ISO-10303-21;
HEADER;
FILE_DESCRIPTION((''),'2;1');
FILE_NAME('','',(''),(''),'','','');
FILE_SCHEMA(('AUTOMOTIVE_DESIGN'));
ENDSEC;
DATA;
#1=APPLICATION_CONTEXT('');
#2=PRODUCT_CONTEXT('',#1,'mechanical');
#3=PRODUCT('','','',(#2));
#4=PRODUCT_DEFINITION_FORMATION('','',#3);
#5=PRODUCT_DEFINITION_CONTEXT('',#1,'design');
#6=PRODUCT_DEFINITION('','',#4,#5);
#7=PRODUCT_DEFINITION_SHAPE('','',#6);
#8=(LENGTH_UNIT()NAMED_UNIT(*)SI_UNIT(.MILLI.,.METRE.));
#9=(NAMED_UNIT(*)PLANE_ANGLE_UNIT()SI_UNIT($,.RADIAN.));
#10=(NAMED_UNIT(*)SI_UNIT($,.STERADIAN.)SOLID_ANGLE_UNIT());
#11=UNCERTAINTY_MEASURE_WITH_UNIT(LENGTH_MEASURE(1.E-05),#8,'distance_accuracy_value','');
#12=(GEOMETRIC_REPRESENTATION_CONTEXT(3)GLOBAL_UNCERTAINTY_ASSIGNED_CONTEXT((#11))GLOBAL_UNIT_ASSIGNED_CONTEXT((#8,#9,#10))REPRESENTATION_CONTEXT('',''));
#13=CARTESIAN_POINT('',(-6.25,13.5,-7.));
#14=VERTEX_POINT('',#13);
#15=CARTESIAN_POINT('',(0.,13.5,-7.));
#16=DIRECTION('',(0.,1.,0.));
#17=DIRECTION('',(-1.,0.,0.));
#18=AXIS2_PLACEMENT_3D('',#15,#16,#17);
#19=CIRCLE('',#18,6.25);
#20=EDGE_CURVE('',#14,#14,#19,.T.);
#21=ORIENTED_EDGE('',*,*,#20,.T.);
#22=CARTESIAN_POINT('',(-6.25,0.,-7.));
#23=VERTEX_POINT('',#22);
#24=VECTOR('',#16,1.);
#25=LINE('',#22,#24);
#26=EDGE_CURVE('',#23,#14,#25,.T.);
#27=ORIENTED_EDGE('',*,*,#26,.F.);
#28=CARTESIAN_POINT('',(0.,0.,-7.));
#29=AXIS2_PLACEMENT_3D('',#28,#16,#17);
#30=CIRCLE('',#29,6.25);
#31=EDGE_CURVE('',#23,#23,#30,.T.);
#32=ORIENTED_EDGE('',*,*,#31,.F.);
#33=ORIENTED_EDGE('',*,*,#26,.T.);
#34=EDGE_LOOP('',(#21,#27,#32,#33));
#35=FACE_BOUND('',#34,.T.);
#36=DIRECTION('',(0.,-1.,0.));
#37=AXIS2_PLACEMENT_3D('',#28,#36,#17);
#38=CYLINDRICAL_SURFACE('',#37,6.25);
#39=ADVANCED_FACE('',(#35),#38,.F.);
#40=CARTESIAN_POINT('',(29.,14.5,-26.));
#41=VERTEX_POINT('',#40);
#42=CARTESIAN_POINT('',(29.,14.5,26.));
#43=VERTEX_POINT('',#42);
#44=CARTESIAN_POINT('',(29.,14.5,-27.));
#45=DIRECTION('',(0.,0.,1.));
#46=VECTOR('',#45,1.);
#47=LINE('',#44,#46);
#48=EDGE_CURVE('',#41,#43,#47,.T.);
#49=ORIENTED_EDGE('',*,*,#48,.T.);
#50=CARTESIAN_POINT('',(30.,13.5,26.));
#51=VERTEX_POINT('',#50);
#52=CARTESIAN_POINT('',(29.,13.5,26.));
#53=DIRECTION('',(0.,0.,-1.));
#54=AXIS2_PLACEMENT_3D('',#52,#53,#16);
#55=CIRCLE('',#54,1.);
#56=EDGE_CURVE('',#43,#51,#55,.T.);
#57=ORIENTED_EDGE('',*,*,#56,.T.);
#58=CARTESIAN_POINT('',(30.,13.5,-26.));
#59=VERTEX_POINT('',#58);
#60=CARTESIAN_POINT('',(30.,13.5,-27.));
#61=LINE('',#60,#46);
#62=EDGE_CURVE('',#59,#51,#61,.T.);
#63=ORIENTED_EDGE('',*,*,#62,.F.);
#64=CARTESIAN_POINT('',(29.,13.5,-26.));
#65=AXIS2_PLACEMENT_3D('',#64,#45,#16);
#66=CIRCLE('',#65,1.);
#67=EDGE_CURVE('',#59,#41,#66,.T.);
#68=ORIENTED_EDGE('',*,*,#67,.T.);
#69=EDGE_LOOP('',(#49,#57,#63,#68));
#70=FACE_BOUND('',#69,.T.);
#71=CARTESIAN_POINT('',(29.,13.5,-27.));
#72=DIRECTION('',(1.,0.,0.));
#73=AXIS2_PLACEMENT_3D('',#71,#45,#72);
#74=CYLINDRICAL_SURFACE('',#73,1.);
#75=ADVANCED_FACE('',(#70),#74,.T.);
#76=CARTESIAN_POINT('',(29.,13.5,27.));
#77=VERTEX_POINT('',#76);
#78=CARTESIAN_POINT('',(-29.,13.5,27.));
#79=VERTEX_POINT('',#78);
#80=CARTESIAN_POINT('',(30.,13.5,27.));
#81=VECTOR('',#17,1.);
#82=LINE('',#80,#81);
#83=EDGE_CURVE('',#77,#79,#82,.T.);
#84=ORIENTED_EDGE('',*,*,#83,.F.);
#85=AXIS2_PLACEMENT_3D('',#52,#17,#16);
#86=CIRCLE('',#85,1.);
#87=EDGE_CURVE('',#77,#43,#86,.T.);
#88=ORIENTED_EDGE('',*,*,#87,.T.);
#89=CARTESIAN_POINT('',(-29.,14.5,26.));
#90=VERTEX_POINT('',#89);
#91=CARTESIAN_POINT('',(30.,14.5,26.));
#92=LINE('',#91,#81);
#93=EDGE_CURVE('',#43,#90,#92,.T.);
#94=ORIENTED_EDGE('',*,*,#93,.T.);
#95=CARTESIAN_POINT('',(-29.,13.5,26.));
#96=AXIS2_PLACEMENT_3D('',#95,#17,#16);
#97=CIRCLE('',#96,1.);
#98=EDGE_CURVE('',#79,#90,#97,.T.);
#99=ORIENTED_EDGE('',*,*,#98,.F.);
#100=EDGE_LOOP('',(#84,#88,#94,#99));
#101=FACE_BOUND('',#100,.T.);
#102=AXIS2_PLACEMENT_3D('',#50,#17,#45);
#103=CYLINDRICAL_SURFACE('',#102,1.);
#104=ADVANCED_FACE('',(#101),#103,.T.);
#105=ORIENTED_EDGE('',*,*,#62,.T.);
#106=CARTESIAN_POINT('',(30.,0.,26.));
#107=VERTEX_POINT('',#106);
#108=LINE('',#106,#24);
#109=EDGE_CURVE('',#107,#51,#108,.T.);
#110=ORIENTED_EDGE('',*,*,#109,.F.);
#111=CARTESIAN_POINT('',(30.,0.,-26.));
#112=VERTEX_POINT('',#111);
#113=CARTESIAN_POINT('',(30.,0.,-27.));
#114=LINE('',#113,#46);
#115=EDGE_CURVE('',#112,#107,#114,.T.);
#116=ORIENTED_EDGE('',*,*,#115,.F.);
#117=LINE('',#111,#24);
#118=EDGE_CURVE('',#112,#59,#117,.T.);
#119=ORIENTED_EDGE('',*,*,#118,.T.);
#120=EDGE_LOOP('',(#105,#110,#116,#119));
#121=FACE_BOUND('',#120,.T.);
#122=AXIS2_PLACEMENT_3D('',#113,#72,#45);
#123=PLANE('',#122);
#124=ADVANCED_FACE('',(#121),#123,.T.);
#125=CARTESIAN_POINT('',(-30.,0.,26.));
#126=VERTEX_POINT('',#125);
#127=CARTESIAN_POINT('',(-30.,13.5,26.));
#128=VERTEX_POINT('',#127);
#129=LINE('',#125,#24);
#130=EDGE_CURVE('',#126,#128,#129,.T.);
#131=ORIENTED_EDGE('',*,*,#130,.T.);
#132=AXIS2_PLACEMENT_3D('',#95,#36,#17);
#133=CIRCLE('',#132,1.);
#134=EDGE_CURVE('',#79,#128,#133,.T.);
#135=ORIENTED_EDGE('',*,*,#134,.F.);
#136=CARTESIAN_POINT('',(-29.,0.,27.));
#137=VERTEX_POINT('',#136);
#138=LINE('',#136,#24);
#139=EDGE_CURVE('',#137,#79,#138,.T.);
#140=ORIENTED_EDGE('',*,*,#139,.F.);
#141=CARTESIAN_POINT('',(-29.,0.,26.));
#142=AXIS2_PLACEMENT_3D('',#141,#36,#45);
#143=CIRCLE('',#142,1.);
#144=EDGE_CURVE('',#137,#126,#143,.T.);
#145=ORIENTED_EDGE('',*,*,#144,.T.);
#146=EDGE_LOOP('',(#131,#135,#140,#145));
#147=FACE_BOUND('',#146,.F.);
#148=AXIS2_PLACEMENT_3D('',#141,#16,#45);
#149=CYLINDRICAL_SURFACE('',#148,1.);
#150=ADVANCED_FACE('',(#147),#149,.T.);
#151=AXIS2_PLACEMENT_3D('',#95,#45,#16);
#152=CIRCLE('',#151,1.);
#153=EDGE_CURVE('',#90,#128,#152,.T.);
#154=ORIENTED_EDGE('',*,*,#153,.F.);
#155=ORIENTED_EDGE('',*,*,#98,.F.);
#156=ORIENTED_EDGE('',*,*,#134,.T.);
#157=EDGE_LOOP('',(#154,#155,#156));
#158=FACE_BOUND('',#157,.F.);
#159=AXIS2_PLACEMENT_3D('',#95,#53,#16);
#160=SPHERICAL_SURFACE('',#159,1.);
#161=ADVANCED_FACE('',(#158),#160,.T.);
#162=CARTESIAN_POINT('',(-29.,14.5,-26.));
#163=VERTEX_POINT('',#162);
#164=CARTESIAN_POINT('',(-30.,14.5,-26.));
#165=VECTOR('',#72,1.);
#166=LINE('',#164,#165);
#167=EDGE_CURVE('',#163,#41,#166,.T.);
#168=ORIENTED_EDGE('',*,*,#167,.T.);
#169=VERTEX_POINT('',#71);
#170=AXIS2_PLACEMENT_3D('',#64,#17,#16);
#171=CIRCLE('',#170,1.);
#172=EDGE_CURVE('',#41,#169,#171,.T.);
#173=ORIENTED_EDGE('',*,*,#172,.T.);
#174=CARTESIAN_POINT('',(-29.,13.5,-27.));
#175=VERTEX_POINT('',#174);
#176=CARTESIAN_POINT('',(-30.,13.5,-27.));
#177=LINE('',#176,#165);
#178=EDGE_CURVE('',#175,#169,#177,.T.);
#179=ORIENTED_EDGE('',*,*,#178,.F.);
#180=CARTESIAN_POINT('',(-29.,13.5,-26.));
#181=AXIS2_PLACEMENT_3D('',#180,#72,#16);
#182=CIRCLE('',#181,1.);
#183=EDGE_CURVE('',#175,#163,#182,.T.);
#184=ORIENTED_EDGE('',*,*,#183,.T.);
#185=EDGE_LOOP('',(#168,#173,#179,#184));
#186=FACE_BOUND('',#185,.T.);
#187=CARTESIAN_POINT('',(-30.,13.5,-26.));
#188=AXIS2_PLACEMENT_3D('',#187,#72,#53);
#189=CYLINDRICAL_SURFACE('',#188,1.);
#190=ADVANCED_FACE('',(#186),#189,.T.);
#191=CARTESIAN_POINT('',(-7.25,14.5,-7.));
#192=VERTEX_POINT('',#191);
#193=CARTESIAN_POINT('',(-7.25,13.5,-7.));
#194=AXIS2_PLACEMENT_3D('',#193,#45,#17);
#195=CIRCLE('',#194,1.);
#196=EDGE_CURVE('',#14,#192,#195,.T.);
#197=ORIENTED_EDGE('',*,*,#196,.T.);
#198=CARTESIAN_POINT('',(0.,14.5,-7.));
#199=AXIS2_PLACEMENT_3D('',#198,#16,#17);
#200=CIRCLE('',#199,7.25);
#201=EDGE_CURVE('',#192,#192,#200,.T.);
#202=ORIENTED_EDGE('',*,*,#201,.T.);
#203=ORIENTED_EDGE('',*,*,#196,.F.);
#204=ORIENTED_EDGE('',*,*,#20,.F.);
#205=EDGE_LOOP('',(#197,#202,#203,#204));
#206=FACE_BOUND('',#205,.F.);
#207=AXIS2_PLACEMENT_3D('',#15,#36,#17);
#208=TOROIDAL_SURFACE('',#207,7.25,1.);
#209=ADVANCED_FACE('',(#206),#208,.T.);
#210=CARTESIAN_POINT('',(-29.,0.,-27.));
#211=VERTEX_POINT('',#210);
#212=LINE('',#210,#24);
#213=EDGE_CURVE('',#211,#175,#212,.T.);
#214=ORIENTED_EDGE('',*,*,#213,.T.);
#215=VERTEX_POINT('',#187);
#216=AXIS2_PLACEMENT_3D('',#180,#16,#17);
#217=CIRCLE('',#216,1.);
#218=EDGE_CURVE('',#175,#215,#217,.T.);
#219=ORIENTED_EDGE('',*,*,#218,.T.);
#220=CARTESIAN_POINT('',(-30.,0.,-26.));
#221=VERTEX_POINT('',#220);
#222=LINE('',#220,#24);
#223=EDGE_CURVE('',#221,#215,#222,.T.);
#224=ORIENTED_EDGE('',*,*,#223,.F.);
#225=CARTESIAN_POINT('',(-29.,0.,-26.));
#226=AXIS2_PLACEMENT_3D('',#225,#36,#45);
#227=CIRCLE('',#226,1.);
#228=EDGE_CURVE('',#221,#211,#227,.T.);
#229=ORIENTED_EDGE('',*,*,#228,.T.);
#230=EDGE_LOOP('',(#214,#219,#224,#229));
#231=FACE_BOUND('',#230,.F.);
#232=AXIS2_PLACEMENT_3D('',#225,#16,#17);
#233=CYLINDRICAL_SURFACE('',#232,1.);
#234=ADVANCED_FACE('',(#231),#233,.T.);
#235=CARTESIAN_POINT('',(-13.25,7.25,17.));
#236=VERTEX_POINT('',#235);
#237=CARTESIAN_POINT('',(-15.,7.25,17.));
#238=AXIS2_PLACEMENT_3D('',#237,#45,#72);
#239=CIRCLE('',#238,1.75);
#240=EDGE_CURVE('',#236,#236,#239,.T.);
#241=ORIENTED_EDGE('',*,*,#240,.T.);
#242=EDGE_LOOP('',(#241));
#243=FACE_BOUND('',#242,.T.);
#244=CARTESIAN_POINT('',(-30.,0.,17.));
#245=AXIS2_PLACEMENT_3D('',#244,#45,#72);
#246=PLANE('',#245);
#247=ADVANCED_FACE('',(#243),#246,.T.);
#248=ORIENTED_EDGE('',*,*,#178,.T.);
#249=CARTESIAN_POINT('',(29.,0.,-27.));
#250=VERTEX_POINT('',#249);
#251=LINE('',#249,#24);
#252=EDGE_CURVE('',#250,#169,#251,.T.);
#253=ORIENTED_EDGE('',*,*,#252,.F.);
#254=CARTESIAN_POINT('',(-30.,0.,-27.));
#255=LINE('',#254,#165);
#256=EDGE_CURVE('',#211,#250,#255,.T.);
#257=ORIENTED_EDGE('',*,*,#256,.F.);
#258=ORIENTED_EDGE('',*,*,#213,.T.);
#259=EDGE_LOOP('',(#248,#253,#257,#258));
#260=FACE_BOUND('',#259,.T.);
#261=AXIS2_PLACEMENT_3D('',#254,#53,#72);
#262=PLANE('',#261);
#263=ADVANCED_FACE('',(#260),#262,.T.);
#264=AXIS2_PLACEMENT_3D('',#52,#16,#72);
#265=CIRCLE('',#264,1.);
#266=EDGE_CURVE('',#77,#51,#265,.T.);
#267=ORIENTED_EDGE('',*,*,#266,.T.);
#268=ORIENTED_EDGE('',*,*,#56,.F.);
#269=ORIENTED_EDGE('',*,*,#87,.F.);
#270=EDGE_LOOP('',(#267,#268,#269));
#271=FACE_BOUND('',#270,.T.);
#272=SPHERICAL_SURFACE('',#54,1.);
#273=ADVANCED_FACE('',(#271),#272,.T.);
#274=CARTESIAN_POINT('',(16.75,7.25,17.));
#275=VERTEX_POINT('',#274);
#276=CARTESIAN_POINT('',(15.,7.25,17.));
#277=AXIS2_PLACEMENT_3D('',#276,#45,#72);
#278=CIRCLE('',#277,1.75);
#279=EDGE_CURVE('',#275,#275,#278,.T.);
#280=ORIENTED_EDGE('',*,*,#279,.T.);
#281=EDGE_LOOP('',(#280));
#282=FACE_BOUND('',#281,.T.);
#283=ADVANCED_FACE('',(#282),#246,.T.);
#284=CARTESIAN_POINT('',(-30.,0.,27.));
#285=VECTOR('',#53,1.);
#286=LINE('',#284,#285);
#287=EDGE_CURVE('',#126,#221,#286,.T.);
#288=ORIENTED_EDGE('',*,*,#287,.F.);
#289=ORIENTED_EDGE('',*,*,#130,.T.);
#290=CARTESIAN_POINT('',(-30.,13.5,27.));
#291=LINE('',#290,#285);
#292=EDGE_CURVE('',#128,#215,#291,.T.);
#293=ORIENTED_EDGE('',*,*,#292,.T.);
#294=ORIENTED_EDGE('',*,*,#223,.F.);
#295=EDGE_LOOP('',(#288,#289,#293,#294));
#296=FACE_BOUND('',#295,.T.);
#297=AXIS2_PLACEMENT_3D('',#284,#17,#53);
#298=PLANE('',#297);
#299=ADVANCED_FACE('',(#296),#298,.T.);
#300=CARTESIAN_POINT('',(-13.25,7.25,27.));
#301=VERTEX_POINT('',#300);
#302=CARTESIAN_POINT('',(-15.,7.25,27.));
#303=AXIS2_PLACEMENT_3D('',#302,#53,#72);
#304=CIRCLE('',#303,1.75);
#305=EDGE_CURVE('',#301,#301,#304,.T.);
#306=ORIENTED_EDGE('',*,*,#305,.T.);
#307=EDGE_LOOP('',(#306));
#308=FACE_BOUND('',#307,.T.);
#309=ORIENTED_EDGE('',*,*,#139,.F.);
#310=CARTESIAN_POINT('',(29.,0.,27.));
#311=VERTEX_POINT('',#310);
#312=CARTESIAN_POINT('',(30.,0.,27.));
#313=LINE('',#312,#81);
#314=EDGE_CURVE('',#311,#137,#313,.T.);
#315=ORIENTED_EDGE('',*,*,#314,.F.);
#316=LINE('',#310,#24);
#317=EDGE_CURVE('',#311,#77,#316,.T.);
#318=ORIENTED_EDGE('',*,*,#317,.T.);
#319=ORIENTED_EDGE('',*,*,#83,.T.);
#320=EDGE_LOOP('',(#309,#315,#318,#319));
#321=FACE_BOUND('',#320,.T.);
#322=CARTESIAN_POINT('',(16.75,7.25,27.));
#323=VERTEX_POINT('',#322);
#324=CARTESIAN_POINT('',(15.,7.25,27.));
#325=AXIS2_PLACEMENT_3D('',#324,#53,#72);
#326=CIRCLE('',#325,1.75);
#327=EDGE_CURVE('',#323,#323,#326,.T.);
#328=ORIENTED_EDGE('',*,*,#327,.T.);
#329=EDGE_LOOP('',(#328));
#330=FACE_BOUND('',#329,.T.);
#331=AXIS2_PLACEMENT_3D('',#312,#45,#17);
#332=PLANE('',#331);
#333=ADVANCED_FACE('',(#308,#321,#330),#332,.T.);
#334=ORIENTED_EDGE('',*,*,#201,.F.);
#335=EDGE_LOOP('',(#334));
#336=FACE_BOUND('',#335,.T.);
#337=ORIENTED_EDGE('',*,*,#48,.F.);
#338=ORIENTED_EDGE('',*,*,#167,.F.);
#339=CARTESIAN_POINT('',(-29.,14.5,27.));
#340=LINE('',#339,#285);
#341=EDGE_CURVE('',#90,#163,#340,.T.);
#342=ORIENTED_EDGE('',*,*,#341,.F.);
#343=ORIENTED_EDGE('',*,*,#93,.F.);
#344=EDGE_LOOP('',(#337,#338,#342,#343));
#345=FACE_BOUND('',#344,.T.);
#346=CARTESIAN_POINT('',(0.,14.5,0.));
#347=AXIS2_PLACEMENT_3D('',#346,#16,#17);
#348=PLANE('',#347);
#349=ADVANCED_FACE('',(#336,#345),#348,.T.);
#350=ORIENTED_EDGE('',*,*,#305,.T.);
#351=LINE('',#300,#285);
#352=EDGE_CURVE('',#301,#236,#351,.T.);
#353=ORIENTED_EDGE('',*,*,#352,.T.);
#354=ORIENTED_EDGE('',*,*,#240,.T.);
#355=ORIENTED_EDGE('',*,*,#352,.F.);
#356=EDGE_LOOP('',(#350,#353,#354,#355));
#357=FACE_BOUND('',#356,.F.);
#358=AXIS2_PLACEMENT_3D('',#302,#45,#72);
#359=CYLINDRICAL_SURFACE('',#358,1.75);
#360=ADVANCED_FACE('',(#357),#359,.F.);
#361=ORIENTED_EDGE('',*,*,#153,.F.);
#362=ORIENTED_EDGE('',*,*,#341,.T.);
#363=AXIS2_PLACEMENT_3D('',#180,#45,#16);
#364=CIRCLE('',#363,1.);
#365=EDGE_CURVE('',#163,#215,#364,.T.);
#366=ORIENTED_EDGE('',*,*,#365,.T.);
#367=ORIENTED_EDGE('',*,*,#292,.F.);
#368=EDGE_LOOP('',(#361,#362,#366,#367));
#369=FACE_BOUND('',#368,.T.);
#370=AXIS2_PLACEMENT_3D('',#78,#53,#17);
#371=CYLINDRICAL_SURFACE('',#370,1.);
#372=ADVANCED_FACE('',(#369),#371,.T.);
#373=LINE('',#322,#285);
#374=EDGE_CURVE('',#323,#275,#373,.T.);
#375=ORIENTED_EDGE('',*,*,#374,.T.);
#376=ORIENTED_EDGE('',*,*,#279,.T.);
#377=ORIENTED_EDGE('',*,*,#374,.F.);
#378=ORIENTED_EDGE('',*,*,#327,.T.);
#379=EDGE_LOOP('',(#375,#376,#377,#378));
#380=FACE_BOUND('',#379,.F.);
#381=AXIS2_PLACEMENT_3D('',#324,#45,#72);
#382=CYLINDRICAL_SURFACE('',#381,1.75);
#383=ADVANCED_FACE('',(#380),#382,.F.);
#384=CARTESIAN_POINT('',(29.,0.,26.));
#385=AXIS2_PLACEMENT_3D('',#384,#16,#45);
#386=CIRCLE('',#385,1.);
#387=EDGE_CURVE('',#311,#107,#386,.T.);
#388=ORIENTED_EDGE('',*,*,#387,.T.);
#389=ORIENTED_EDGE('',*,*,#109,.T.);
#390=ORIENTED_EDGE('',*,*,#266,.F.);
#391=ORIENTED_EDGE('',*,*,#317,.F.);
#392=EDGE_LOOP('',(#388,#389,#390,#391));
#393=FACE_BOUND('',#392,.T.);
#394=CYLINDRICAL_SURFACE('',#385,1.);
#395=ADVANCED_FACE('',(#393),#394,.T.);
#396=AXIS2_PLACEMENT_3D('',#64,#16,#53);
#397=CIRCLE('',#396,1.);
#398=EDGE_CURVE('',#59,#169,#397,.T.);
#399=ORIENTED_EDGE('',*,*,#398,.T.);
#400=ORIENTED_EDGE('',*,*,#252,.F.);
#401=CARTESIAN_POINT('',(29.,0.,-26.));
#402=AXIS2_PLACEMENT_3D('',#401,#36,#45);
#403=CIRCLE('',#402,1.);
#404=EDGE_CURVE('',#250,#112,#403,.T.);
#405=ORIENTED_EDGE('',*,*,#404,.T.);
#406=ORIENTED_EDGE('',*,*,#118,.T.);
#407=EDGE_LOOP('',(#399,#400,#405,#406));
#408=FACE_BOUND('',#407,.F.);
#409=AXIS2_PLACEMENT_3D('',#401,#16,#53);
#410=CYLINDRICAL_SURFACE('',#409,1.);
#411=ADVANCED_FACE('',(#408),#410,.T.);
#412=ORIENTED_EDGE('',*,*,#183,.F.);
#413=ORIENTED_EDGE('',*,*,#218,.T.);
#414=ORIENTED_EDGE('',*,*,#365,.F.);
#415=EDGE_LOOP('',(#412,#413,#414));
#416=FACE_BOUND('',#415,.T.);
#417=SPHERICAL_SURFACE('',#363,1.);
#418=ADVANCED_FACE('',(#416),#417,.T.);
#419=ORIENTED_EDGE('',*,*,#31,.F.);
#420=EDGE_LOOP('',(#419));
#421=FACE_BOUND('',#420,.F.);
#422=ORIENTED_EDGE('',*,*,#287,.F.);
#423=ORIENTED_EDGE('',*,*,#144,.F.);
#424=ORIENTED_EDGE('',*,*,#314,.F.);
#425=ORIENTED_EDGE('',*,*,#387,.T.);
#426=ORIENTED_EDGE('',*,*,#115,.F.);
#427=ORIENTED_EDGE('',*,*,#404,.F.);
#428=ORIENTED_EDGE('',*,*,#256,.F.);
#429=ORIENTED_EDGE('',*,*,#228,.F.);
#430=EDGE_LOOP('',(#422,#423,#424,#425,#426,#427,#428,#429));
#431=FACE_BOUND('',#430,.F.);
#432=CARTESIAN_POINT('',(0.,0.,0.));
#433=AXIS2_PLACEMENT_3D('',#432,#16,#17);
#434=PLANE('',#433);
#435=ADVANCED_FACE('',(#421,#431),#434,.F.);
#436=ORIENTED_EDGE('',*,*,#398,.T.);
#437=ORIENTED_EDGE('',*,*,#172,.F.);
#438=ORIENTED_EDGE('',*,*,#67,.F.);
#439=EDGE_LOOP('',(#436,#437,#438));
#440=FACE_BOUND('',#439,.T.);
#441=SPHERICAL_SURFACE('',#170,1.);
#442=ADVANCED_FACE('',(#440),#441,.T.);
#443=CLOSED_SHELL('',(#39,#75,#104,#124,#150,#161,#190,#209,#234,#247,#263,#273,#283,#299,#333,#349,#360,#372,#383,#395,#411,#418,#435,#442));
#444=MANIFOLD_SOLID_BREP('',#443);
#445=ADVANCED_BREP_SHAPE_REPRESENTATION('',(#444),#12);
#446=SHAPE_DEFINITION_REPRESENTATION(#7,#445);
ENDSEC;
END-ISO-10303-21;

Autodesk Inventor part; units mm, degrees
ref_plane "YZ Plane" through (0, 0, 0) normal (1, 0, 0) x (0, 1, 0)
ref_plane "XZ Plane" through (0, 0, 0) normal (0, 1, 0) x (-1, 0, 0)
ref_plane "XY Plane" through (0, 0, 0) normal (0, 0, 1) x (1, 0, 0)
sketch "Esquisse1" plane through (0, 0, 0) normal (0, 1, 0) x (-1, 0, 0)
  line L0 (-30, 27) -> (30, 27)
  line L1 (30, 27) -> (30, -27)
  line L2 (30, -27) -> (-30, -27)
  line L3 (-30, -27) -> (-30, 27)
  line L4 (-30, 27) -> (30, -27) construction
  line L5 (30, 27) -> (-30, -27) construction
  circle A0 centre (0, -7) radius 6.25
  point P0 (0, 0)
  dimension "d0" = 54
  dimension "d1" = 60
  dimension "d2" = 34
  dimension "d3" = 12.5
extrude "Extrusion1" add sketch "Esquisse1" along normal blind 14.5
sketch "Esquisse2" plane through (-30, 0, 27) normal (0, 0, 1) x (1, 0, 0)
  line L0 (0, 0) -> (0, 14.5) projected
  line L1 (60, 0) -> (0, 0) projected
  line L2 (0, 14.5) -> (60, 14.5)
  line L3 (60, 14.5) -> (60, 0)
  line L4 (60, 0) -> (0, 0)
  line L5 (0, 0) -> (0, 14.5)
  line L6 (0, 7.25) -> (60, 7.25)
  circle A0 centre (15, 7.25) radius 1.75
  circle A1 centre (45, 7.25) radius 1.75
  point P0 (30, 0)
  dimension "d6" = 15
  dimension "d7" = 15
  dimension "d8" = 3.5
fillet "Congé1" radius 1 9 edges at (-30, 14.5, 0) (0, 14.5, -27) (30, 14.5, 0) (0, 14.5, 27) (30, 7.25, 27) (-30, 7.25, 27) (-30, 7.25, -27) (30, 7.25, -27) (6.25, 14.5, -7)
extrude "Extrusion2" cut sketch "Esquisse2" against normal blind 10 contours A0 L6 | L6 A0 | A1 L6 | L6 A1
properties part number "dessus_cadre"
